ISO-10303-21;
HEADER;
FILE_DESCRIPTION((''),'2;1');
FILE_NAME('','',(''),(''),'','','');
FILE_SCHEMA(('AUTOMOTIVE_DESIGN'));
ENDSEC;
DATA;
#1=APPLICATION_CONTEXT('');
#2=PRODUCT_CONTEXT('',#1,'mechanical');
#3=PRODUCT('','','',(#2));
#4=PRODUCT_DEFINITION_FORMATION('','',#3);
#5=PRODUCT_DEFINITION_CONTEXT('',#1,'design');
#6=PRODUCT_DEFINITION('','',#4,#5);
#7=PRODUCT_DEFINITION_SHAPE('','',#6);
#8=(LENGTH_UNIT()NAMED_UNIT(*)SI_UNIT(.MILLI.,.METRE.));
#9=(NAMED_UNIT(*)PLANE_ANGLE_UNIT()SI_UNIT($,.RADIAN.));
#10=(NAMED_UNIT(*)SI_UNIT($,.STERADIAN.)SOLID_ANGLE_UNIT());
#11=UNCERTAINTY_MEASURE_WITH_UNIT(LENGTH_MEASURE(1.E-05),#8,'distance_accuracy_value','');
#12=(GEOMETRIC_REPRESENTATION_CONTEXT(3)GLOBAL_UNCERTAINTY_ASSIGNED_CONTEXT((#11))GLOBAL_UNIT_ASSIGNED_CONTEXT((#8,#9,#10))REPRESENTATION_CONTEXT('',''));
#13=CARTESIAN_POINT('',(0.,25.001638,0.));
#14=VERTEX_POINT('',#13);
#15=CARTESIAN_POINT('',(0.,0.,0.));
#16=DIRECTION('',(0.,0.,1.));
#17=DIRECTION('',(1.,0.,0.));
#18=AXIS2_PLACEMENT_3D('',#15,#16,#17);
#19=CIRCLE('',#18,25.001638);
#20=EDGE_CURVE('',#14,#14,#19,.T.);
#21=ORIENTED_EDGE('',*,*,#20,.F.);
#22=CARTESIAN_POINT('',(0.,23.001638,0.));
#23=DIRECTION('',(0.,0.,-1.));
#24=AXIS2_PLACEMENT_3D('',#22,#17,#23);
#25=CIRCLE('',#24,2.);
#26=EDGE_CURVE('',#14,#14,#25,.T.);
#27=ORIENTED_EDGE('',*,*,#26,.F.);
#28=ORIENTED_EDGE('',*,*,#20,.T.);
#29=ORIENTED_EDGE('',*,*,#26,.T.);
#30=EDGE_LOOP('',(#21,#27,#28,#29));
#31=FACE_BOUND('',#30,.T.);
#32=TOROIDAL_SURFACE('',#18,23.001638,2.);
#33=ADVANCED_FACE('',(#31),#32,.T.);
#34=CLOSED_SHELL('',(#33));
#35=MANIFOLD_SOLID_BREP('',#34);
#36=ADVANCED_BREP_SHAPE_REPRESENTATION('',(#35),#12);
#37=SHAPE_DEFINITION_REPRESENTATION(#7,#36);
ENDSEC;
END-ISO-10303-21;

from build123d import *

# Parameters (mm, degrees)
ESQUISSE4_R = 2


with BuildPart() as part:
    # Balayage1: sweep along a path in Esquisse2
    with BuildLine(Plane.XY) as balayage1_path:
        CenterArc((0, 0), 23.00163751, 0, 360)
    # Esquisse4 → Balayage1 (sweep)
    with BuildSketch(Plane(origin=(0, 0, 0), x_dir=(0, 0, -1), z_dir=(1, 0, 0))):
        with Locations((0, 23.00163751)):
            Circle(ESQUISSE4_R)
    sweep(path=balayage1_path.line)


solid = part.part
